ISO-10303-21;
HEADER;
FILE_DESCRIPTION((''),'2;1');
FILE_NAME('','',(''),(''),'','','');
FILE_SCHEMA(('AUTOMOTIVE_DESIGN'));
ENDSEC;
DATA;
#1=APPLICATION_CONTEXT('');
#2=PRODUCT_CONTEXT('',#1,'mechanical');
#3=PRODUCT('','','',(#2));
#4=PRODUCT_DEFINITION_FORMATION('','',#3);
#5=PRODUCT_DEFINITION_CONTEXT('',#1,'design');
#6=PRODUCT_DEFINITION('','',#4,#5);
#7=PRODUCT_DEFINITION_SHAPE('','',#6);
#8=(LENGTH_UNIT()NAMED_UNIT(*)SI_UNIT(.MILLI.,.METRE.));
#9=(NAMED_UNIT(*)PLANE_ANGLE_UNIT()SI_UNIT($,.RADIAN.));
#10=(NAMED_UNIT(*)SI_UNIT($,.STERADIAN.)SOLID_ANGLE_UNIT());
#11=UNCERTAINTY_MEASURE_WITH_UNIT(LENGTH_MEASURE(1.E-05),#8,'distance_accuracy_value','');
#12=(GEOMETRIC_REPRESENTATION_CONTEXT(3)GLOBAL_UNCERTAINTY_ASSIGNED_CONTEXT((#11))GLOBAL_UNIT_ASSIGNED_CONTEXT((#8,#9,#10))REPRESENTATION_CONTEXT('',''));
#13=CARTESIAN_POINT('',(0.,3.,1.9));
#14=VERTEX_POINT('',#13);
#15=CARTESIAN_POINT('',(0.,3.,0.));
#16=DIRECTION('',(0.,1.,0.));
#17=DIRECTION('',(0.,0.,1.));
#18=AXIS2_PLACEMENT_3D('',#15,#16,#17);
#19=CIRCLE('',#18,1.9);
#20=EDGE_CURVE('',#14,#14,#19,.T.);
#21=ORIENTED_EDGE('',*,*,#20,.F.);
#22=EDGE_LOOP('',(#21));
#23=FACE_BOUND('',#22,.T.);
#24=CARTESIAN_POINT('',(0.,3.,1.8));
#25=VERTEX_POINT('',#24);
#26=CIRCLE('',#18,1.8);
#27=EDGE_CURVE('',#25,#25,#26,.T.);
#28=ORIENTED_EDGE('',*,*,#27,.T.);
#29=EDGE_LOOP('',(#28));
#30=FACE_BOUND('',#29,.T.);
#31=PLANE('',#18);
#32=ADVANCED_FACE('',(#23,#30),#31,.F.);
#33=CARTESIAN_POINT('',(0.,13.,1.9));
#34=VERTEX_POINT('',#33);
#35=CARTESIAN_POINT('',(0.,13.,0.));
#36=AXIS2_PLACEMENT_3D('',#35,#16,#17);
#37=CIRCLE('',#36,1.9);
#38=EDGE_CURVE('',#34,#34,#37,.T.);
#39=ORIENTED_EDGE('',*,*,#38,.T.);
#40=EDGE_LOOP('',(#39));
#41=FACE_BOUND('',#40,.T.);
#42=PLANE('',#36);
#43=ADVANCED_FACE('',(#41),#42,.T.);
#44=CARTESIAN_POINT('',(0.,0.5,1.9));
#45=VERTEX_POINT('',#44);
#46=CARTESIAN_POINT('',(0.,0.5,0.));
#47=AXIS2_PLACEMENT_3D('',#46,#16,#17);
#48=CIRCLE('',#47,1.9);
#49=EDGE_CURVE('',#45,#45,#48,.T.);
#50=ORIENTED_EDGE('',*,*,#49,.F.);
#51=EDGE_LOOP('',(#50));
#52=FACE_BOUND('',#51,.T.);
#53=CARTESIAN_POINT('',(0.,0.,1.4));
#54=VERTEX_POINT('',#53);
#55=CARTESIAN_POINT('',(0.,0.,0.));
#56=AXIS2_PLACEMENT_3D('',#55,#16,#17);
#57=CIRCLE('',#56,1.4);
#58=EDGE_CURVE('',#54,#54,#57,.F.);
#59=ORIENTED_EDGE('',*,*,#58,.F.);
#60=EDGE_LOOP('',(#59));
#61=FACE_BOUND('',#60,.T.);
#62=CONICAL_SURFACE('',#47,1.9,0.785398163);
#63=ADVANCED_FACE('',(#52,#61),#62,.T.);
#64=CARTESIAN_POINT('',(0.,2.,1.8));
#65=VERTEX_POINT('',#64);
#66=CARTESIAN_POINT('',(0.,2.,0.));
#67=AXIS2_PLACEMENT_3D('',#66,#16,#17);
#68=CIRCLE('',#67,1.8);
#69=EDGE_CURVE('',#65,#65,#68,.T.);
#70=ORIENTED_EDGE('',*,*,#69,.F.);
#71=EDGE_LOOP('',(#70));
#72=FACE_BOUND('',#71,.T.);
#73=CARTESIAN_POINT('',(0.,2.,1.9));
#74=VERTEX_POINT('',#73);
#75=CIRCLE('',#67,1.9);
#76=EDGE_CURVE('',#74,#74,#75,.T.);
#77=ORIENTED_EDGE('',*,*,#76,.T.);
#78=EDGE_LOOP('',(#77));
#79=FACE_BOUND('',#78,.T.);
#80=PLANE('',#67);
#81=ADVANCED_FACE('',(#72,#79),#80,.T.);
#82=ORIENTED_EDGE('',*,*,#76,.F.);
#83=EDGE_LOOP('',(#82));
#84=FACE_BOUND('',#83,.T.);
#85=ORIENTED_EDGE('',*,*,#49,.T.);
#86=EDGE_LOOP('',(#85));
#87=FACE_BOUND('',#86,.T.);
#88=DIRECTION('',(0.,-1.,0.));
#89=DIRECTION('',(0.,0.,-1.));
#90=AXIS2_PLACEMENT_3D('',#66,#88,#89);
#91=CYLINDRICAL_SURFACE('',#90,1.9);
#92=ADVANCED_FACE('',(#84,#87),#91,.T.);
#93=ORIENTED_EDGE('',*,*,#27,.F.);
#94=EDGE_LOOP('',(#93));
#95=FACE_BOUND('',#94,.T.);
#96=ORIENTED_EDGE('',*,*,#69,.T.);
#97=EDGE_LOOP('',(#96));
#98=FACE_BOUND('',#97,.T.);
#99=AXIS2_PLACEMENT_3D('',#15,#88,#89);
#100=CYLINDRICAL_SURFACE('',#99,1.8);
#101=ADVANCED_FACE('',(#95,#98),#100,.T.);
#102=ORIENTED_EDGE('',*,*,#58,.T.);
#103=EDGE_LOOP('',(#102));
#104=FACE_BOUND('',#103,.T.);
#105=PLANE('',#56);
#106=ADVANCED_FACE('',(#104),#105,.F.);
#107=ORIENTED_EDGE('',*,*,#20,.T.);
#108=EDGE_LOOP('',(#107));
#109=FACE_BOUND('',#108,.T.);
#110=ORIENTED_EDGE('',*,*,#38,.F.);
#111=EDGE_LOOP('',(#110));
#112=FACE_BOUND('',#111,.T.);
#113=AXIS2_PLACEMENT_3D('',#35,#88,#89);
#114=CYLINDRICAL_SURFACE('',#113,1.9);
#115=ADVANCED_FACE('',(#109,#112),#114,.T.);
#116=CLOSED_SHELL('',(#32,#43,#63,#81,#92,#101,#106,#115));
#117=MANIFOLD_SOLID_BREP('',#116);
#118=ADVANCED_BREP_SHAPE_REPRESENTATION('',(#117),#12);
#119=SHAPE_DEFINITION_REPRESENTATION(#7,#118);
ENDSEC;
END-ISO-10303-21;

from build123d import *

# Parameters (mm, degrees)
SKETCH1_R           = 1.9
BOSS_EXTRUDE1_DEPTH = 2
SKETCH2_R           = 1.8
BOSS_EXTRUDE2_DEPTH = 1
SKETCH3_R           = 1.9
BOSS_EXTRUDE3_DEPTH = 10
CHAMFER1_SIZE       = 0.5


with BuildPart() as part:
    # Sketch1 → Boss-Extrude1 (new body)
    with BuildSketch(Plane(origin=(0, 0, 0), x_dir=(1, 0, 0), z_dir=(0, 1, 0))):
        with Locations(Location((0, 0, 0), (0, 0, 270))):
            Circle(SKETCH1_R)
    extrude(amount=BOSS_EXTRUDE1_DEPTH)

    # Sketch2 → Boss-Extrude2 (add)
    with BuildSketch(Plane(origin=(0, 2, 0), x_dir=(1, 0, 0), z_dir=(0, 1, 0))):
        with Locations(Location((0, 0, 0), (0, 0, 270))):
            Circle(SKETCH2_R)
    extrude(amount=BOSS_EXTRUDE2_DEPTH)

    # Sketch3 → Boss-Extrude3 (add)
    with BuildSketch(Plane(origin=(0, 3, 0), x_dir=(1, 0, 0), z_dir=(0, 1, 0))):
        with Locations(Location((0, 0, 0), (0, 0, 270))):
            Circle(SKETCH3_R)
    extrude(amount=BOSS_EXTRUDE3_DEPTH)

    # Chamfer1
    chamfer1_edges = [part.edges().sort_by_distance(p)[0] for p in [
        (0, 0, -1.9),
    ]]
    chamfer(chamfer1_edges, length=CHAMFER1_SIZE)


solid = part.part
